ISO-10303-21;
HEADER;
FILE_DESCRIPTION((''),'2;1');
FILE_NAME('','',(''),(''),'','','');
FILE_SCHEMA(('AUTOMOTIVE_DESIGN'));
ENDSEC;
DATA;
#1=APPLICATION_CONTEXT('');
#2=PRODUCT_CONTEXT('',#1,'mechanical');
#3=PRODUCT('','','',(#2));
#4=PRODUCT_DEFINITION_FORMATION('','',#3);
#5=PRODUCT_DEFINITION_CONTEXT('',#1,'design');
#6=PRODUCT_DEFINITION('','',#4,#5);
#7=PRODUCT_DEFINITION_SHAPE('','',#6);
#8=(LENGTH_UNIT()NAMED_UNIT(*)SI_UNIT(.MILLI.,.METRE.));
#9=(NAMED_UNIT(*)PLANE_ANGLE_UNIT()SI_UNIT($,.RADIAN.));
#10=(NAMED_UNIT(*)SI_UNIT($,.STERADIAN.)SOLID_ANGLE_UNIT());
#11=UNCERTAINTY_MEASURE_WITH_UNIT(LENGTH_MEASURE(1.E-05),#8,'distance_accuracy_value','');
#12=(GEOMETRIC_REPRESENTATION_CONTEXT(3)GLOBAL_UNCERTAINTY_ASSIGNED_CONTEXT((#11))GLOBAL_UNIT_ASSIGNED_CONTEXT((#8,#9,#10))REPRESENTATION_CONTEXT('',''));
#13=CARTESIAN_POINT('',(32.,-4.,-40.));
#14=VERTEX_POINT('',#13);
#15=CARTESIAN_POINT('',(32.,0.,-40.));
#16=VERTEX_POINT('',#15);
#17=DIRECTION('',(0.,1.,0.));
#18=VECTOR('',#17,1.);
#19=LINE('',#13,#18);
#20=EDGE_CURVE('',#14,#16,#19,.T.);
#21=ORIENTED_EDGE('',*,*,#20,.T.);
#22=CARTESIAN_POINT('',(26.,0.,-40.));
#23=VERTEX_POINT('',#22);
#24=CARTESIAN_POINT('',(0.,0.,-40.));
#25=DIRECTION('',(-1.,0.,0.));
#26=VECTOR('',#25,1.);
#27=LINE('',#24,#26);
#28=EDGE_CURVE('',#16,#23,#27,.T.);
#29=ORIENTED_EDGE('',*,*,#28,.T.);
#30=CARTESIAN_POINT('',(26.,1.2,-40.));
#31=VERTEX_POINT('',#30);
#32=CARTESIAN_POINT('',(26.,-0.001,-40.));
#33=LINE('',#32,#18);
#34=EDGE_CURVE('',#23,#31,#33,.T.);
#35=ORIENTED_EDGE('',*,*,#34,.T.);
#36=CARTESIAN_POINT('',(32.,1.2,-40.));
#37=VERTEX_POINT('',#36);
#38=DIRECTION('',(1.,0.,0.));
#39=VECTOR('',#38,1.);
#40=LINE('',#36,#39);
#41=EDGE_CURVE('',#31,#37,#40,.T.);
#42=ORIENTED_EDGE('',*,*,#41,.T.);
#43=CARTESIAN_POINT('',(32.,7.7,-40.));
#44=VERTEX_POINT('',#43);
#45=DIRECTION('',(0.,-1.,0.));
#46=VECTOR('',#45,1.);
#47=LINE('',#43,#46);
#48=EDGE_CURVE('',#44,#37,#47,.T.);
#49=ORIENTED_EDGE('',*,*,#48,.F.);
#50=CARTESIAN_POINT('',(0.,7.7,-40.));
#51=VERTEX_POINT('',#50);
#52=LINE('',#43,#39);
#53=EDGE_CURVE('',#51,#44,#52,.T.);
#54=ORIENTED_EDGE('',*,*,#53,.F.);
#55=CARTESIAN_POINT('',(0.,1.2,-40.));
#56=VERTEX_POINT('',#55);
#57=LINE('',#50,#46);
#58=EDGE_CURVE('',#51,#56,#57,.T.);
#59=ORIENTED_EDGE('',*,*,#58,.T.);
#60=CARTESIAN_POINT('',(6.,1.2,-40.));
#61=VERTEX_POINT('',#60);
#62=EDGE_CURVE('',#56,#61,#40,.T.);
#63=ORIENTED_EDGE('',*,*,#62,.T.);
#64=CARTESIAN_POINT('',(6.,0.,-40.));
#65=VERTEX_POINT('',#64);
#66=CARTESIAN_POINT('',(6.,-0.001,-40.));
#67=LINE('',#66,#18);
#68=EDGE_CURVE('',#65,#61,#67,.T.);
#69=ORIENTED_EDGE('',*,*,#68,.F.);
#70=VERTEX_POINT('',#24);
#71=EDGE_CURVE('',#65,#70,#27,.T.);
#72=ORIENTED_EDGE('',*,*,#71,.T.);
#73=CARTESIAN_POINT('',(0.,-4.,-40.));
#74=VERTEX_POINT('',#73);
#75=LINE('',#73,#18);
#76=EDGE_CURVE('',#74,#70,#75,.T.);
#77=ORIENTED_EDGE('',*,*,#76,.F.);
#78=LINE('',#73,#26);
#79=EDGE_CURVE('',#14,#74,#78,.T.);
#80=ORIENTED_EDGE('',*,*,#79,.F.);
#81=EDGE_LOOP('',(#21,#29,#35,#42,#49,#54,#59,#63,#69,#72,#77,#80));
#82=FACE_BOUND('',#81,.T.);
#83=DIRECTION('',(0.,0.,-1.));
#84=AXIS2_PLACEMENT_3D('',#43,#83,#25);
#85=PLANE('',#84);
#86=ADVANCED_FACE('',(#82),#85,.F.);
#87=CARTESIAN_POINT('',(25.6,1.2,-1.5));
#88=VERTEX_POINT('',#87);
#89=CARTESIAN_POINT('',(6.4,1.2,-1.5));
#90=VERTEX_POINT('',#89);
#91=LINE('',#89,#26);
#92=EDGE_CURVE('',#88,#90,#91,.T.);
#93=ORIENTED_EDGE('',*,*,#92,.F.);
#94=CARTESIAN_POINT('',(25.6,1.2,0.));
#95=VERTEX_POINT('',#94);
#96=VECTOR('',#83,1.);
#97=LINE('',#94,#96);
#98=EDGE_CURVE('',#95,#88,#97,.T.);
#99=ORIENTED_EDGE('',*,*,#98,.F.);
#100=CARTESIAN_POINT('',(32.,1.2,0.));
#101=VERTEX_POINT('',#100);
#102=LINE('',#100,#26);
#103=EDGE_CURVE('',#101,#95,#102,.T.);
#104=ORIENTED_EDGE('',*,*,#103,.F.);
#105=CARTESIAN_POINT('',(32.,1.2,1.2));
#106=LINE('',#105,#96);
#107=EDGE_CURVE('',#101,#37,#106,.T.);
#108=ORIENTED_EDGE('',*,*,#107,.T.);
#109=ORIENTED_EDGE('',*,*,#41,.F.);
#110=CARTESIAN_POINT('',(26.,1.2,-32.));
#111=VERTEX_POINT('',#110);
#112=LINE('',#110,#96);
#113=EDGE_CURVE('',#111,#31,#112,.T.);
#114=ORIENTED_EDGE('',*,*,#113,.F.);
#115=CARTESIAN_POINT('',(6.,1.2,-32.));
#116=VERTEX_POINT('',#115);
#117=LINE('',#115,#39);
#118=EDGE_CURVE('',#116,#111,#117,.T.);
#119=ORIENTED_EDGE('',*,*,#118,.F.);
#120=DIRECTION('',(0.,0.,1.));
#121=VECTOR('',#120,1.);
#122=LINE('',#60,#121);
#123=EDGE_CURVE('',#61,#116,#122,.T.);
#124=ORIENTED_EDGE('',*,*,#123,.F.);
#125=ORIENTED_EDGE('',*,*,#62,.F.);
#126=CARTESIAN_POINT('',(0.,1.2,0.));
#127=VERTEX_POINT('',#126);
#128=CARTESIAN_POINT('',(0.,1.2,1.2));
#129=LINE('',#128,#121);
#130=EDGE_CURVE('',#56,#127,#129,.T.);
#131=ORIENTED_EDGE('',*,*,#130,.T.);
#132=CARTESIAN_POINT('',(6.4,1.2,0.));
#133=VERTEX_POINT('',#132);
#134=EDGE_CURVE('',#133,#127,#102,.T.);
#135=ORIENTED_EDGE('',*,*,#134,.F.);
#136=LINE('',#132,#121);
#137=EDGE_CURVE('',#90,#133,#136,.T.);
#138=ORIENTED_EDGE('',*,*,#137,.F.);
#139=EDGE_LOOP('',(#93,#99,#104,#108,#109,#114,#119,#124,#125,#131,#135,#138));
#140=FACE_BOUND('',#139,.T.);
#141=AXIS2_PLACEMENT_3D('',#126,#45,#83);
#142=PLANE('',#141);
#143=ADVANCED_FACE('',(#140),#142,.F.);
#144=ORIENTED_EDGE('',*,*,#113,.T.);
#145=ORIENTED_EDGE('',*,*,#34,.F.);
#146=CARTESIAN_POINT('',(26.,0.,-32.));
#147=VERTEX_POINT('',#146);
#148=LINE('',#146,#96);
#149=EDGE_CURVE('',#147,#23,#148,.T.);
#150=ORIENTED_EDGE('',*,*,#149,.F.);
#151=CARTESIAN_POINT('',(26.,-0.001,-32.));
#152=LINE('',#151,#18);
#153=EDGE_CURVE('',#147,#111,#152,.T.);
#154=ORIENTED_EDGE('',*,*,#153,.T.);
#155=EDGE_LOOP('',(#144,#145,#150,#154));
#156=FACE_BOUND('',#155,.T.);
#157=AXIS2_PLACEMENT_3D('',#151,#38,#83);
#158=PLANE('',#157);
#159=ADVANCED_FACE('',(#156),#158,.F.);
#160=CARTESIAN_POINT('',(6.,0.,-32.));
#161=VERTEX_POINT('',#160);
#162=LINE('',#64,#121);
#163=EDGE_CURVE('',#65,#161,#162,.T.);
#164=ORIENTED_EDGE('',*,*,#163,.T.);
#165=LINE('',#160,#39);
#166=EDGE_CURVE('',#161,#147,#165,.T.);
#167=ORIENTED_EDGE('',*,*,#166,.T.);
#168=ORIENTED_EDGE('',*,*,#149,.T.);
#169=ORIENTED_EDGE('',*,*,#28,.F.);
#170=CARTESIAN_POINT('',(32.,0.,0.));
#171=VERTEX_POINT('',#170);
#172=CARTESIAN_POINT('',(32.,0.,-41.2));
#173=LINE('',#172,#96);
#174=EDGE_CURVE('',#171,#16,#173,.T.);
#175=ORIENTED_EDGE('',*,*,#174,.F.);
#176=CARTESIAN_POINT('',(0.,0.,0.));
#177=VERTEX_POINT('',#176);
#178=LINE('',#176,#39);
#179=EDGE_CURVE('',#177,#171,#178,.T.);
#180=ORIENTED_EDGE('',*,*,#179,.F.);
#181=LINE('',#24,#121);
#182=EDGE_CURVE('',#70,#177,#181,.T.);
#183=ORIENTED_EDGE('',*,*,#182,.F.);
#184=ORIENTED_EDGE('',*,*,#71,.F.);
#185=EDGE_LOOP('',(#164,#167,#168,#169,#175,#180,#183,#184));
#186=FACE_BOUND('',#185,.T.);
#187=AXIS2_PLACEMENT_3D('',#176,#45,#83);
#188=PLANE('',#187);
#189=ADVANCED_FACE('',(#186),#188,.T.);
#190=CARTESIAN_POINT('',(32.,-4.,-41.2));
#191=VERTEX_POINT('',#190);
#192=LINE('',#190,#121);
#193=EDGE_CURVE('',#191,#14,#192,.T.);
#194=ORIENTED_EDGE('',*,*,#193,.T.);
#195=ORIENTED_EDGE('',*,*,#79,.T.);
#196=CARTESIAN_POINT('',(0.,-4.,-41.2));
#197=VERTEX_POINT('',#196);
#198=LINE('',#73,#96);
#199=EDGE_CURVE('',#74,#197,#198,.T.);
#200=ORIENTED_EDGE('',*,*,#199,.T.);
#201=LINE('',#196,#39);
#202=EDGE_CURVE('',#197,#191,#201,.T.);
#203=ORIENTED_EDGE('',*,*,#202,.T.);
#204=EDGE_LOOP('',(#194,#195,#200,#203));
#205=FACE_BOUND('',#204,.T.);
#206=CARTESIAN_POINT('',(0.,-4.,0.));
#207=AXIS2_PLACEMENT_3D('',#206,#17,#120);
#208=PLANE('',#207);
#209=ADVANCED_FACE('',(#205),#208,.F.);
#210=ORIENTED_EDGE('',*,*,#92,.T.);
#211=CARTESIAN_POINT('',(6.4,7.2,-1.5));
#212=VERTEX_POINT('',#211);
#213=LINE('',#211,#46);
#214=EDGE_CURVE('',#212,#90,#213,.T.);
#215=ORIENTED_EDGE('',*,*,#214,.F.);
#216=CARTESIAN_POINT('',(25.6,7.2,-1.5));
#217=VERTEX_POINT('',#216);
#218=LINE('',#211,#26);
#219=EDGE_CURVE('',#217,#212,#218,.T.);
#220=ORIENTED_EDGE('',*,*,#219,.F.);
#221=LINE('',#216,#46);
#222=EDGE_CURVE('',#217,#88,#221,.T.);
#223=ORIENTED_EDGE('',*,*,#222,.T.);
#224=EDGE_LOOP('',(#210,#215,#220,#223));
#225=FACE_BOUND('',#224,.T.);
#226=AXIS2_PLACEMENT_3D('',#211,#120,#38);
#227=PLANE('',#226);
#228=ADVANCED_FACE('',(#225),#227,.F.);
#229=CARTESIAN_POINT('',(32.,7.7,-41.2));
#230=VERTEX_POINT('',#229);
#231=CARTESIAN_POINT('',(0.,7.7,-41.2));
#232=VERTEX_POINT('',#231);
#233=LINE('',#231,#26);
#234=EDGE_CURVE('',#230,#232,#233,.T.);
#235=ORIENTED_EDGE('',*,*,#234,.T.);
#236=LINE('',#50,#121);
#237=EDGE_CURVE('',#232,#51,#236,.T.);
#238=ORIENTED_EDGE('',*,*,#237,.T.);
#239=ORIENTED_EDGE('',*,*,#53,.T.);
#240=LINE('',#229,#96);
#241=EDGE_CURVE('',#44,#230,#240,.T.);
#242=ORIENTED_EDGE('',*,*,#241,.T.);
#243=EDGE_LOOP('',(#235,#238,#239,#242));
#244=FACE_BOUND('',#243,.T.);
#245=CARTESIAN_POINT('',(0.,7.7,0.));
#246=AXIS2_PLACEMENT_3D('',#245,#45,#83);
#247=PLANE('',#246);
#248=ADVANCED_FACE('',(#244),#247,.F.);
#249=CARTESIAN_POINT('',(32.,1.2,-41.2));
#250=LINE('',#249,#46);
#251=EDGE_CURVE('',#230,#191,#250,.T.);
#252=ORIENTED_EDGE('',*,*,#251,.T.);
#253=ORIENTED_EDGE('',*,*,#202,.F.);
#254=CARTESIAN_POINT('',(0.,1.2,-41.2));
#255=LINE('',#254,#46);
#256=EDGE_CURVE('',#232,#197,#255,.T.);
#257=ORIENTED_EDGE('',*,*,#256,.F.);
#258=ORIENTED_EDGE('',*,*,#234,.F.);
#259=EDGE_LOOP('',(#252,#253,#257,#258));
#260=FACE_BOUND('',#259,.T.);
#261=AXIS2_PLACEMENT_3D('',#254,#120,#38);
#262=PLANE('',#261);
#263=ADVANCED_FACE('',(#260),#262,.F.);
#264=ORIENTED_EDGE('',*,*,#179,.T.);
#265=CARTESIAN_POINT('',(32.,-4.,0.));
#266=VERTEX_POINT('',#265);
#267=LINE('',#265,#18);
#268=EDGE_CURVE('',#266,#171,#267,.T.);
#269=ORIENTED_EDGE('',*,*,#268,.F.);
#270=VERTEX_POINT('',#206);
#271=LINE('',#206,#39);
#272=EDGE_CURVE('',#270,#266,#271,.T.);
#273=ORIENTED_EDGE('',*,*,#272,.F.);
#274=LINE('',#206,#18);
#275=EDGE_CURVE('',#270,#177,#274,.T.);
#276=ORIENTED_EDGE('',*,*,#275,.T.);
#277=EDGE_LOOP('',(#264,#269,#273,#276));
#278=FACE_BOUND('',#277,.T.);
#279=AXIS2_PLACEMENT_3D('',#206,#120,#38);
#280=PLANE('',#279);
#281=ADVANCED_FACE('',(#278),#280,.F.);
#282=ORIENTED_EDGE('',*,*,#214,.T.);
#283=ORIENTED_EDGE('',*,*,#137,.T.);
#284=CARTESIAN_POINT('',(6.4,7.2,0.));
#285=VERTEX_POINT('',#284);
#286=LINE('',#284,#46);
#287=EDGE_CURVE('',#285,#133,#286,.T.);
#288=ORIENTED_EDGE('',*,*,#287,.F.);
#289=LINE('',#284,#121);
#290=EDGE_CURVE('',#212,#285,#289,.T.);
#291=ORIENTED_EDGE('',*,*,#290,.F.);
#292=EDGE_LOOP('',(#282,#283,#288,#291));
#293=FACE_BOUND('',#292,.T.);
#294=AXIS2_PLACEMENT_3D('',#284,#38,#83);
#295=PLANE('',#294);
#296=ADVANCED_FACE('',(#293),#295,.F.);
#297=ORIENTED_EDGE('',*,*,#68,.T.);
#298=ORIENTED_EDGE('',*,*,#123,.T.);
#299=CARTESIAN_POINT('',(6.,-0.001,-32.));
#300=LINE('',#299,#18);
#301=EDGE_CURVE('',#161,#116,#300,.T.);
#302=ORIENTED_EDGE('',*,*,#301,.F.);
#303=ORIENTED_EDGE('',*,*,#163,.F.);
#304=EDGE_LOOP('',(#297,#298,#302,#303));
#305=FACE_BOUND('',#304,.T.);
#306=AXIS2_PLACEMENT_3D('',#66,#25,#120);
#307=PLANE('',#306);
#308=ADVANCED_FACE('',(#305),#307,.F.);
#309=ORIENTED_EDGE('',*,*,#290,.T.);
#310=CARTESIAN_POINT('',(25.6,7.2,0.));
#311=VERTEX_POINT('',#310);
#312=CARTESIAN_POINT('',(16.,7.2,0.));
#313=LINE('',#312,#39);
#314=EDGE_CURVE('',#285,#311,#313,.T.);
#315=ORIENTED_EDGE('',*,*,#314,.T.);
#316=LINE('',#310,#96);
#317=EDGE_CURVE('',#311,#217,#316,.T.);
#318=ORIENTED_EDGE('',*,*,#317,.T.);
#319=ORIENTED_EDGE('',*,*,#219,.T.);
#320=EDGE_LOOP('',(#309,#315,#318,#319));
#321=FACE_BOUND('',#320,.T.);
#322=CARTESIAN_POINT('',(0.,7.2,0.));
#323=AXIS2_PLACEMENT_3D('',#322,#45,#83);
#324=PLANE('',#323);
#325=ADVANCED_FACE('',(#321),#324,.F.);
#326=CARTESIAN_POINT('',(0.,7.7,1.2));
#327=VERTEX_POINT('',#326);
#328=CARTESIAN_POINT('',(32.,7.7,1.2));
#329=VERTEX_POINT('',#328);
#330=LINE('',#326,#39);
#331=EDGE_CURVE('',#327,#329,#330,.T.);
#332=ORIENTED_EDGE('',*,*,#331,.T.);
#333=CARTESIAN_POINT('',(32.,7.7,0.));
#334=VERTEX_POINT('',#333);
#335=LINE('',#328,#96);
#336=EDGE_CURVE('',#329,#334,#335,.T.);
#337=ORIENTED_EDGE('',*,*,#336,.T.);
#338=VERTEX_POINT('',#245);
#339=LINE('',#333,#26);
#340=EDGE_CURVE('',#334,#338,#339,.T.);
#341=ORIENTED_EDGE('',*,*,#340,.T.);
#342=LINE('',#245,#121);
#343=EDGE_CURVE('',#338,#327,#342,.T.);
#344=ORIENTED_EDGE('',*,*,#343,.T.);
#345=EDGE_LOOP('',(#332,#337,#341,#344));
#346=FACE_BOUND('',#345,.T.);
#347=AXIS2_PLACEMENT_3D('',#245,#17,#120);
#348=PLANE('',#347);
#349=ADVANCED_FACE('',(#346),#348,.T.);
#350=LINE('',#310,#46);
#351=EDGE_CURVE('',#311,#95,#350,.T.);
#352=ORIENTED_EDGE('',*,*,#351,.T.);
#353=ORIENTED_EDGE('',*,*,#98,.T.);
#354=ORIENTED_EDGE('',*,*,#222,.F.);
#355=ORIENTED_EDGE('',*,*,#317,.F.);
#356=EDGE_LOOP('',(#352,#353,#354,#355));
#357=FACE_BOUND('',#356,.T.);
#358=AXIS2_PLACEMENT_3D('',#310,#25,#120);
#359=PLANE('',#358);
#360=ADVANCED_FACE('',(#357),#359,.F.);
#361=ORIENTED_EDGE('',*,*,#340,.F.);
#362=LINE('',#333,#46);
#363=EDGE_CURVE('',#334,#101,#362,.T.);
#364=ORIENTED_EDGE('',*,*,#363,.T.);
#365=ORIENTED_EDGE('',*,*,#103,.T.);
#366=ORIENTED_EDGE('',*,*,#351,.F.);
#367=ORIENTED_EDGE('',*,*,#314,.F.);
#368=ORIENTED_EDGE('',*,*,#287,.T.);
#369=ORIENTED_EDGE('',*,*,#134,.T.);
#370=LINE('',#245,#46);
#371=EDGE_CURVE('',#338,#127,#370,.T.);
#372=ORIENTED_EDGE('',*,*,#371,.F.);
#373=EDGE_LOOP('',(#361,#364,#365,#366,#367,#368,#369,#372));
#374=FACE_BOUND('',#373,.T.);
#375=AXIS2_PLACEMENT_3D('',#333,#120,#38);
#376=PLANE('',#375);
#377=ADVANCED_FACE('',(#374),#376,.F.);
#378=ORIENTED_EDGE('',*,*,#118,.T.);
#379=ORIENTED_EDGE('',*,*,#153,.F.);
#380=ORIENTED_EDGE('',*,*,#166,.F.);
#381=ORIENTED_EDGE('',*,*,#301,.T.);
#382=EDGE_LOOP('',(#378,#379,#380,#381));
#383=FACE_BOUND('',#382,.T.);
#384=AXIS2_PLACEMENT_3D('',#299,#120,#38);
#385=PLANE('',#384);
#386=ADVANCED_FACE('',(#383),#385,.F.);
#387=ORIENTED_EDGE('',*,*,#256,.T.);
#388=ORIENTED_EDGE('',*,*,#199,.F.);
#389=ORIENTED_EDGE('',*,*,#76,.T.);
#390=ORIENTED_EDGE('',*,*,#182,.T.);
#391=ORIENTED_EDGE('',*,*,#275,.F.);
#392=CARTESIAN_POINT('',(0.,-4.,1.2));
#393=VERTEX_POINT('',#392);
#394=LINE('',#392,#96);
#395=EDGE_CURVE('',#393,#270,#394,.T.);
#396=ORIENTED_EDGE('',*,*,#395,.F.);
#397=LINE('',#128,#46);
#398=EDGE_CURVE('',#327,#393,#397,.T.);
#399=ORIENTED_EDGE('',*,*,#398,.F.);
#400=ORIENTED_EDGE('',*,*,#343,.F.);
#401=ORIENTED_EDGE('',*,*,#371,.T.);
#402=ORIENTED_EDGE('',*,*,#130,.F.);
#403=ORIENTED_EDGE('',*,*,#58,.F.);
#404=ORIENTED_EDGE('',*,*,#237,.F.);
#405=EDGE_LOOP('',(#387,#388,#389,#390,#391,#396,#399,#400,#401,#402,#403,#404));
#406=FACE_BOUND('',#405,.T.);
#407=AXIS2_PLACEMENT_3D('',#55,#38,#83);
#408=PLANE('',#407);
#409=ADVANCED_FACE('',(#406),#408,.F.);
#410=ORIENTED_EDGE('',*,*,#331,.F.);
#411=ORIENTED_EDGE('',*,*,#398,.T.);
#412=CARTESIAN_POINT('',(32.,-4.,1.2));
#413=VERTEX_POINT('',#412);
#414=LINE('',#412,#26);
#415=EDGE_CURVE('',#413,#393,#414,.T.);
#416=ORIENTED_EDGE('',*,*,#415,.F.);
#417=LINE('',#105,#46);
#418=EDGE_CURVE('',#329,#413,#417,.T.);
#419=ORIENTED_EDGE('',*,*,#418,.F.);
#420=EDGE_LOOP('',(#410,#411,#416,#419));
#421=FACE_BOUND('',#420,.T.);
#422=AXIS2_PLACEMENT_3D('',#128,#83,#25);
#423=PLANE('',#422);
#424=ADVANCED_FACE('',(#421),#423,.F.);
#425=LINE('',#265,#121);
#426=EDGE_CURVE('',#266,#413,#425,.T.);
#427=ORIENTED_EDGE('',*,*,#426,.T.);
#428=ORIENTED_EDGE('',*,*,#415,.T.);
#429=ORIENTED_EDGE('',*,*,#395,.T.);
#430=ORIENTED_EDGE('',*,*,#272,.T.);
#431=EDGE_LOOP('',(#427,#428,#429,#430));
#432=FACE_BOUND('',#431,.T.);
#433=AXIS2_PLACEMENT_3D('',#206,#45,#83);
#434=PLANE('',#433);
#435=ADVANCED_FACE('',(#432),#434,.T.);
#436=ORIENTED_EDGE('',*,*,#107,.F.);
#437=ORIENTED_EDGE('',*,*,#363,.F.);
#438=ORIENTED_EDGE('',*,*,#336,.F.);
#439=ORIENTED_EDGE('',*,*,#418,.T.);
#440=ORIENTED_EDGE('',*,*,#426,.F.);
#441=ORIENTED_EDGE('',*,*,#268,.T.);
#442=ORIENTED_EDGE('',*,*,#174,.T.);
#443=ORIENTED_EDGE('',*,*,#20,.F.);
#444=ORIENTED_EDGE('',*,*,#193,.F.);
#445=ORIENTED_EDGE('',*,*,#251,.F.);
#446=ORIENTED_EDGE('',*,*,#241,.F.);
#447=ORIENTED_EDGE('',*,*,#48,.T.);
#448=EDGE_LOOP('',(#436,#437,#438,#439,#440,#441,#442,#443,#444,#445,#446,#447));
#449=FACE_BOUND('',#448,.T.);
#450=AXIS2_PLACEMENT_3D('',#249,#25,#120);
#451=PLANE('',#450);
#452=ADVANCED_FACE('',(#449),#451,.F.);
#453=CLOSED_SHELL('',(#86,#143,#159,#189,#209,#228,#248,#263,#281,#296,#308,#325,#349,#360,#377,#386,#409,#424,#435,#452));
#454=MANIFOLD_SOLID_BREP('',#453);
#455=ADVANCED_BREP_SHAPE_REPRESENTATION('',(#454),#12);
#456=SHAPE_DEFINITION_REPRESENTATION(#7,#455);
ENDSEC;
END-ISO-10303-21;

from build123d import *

# Parameters (mm, degrees)
EXTRUDE_309_DEPTH      = 1.2
SKETCH_2_W             = 32
SKETCH_2_H             = 1.2
PCB_DEPTH              = 6.5
PCB_2_DEPTH            = 6
CUT_EXTRUDE_1014_REACH = 54.571
SKETCH_5_W             = 32
SKETCH_5_H             = 1.2
EXTRUDE_1286_DEPTH     = 4


with BuildPart() as part:
    # 草图1 → Extrude 309 (new body)
    with BuildSketch(Plane(origin=(0, 0, 0), x_dir=(1, 0, 0), z_dir=(0, 1, 0))):
        Polygon((32, 0), (32, 40), (32, 41.2), (0, 41.2), (0, 40), (0, 0), (0, -1.2), (32, -1.2), align=None)
    extrude(amount=EXTRUDE_309_DEPTH)

    # 草图2 → PCB (add)
    with BuildSketch(Plane(origin=(0, 1.2, 0), x_dir=(1, 0, 0), z_dir=(0, 1, 0))):
        with Locations((16, -0.6)):
            Rectangle(SKETCH_2_W, SKETCH_2_H)
        with Locations((16, 40.6)):
            Rectangle(SKETCH_2_W, SKETCH_2_H)
    extrude(amount=PCB_DEPTH)

    # 草图3 → PCB 2 (add)
    with BuildSketch(Plane(origin=(0, 1.2, 0), x_dir=(1, 0, 0), z_dir=(0, 1, 0))):
        Polygon((16, 0), (25.6, 0), (25.6, 1.5), (6.4, 1.5), (6.4, 0), align=None)
    extrude(amount=PCB_2_DEPTH)

    # 草图4 → Cut-Extrude 1014 (cut, up to next)
    with BuildSketch(Plane(origin=(0, 1.2, 0), x_dir=(1, 0, 0), z_dir=(0, 1, 0)), mode=Mode.PRIVATE) as cut_extrude_1014_sk1:
        Polygon((16, 40), (26, 40), (26, 32), (6, 32), (6, 40), align=None)
    cut_extrude_1014_tool1 = extrude(cut_extrude_1014_sk1.sketch, amount=-CUT_EXTRUDE_1014_REACH, mode=Mode.PRIVATE) & part.part
    add(cut_extrude_1014_tool1.solids().sort_by_distance((16, 1.2, -36))[0], mode=Mode.SUBTRACT)

    # 草图5 → Extrude 1286 (add)
    with BuildSketch(Plane.XZ):
        with Locations((16, 0.6)):
            Rectangle(SKETCH_5_W, SKETCH_5_H)
        with Locations((16, -40.6)):
            Rectangle(SKETCH_5_W, SKETCH_5_H)
    extrude(amount=EXTRUDE_1286_DEPTH)


solid = part.part
